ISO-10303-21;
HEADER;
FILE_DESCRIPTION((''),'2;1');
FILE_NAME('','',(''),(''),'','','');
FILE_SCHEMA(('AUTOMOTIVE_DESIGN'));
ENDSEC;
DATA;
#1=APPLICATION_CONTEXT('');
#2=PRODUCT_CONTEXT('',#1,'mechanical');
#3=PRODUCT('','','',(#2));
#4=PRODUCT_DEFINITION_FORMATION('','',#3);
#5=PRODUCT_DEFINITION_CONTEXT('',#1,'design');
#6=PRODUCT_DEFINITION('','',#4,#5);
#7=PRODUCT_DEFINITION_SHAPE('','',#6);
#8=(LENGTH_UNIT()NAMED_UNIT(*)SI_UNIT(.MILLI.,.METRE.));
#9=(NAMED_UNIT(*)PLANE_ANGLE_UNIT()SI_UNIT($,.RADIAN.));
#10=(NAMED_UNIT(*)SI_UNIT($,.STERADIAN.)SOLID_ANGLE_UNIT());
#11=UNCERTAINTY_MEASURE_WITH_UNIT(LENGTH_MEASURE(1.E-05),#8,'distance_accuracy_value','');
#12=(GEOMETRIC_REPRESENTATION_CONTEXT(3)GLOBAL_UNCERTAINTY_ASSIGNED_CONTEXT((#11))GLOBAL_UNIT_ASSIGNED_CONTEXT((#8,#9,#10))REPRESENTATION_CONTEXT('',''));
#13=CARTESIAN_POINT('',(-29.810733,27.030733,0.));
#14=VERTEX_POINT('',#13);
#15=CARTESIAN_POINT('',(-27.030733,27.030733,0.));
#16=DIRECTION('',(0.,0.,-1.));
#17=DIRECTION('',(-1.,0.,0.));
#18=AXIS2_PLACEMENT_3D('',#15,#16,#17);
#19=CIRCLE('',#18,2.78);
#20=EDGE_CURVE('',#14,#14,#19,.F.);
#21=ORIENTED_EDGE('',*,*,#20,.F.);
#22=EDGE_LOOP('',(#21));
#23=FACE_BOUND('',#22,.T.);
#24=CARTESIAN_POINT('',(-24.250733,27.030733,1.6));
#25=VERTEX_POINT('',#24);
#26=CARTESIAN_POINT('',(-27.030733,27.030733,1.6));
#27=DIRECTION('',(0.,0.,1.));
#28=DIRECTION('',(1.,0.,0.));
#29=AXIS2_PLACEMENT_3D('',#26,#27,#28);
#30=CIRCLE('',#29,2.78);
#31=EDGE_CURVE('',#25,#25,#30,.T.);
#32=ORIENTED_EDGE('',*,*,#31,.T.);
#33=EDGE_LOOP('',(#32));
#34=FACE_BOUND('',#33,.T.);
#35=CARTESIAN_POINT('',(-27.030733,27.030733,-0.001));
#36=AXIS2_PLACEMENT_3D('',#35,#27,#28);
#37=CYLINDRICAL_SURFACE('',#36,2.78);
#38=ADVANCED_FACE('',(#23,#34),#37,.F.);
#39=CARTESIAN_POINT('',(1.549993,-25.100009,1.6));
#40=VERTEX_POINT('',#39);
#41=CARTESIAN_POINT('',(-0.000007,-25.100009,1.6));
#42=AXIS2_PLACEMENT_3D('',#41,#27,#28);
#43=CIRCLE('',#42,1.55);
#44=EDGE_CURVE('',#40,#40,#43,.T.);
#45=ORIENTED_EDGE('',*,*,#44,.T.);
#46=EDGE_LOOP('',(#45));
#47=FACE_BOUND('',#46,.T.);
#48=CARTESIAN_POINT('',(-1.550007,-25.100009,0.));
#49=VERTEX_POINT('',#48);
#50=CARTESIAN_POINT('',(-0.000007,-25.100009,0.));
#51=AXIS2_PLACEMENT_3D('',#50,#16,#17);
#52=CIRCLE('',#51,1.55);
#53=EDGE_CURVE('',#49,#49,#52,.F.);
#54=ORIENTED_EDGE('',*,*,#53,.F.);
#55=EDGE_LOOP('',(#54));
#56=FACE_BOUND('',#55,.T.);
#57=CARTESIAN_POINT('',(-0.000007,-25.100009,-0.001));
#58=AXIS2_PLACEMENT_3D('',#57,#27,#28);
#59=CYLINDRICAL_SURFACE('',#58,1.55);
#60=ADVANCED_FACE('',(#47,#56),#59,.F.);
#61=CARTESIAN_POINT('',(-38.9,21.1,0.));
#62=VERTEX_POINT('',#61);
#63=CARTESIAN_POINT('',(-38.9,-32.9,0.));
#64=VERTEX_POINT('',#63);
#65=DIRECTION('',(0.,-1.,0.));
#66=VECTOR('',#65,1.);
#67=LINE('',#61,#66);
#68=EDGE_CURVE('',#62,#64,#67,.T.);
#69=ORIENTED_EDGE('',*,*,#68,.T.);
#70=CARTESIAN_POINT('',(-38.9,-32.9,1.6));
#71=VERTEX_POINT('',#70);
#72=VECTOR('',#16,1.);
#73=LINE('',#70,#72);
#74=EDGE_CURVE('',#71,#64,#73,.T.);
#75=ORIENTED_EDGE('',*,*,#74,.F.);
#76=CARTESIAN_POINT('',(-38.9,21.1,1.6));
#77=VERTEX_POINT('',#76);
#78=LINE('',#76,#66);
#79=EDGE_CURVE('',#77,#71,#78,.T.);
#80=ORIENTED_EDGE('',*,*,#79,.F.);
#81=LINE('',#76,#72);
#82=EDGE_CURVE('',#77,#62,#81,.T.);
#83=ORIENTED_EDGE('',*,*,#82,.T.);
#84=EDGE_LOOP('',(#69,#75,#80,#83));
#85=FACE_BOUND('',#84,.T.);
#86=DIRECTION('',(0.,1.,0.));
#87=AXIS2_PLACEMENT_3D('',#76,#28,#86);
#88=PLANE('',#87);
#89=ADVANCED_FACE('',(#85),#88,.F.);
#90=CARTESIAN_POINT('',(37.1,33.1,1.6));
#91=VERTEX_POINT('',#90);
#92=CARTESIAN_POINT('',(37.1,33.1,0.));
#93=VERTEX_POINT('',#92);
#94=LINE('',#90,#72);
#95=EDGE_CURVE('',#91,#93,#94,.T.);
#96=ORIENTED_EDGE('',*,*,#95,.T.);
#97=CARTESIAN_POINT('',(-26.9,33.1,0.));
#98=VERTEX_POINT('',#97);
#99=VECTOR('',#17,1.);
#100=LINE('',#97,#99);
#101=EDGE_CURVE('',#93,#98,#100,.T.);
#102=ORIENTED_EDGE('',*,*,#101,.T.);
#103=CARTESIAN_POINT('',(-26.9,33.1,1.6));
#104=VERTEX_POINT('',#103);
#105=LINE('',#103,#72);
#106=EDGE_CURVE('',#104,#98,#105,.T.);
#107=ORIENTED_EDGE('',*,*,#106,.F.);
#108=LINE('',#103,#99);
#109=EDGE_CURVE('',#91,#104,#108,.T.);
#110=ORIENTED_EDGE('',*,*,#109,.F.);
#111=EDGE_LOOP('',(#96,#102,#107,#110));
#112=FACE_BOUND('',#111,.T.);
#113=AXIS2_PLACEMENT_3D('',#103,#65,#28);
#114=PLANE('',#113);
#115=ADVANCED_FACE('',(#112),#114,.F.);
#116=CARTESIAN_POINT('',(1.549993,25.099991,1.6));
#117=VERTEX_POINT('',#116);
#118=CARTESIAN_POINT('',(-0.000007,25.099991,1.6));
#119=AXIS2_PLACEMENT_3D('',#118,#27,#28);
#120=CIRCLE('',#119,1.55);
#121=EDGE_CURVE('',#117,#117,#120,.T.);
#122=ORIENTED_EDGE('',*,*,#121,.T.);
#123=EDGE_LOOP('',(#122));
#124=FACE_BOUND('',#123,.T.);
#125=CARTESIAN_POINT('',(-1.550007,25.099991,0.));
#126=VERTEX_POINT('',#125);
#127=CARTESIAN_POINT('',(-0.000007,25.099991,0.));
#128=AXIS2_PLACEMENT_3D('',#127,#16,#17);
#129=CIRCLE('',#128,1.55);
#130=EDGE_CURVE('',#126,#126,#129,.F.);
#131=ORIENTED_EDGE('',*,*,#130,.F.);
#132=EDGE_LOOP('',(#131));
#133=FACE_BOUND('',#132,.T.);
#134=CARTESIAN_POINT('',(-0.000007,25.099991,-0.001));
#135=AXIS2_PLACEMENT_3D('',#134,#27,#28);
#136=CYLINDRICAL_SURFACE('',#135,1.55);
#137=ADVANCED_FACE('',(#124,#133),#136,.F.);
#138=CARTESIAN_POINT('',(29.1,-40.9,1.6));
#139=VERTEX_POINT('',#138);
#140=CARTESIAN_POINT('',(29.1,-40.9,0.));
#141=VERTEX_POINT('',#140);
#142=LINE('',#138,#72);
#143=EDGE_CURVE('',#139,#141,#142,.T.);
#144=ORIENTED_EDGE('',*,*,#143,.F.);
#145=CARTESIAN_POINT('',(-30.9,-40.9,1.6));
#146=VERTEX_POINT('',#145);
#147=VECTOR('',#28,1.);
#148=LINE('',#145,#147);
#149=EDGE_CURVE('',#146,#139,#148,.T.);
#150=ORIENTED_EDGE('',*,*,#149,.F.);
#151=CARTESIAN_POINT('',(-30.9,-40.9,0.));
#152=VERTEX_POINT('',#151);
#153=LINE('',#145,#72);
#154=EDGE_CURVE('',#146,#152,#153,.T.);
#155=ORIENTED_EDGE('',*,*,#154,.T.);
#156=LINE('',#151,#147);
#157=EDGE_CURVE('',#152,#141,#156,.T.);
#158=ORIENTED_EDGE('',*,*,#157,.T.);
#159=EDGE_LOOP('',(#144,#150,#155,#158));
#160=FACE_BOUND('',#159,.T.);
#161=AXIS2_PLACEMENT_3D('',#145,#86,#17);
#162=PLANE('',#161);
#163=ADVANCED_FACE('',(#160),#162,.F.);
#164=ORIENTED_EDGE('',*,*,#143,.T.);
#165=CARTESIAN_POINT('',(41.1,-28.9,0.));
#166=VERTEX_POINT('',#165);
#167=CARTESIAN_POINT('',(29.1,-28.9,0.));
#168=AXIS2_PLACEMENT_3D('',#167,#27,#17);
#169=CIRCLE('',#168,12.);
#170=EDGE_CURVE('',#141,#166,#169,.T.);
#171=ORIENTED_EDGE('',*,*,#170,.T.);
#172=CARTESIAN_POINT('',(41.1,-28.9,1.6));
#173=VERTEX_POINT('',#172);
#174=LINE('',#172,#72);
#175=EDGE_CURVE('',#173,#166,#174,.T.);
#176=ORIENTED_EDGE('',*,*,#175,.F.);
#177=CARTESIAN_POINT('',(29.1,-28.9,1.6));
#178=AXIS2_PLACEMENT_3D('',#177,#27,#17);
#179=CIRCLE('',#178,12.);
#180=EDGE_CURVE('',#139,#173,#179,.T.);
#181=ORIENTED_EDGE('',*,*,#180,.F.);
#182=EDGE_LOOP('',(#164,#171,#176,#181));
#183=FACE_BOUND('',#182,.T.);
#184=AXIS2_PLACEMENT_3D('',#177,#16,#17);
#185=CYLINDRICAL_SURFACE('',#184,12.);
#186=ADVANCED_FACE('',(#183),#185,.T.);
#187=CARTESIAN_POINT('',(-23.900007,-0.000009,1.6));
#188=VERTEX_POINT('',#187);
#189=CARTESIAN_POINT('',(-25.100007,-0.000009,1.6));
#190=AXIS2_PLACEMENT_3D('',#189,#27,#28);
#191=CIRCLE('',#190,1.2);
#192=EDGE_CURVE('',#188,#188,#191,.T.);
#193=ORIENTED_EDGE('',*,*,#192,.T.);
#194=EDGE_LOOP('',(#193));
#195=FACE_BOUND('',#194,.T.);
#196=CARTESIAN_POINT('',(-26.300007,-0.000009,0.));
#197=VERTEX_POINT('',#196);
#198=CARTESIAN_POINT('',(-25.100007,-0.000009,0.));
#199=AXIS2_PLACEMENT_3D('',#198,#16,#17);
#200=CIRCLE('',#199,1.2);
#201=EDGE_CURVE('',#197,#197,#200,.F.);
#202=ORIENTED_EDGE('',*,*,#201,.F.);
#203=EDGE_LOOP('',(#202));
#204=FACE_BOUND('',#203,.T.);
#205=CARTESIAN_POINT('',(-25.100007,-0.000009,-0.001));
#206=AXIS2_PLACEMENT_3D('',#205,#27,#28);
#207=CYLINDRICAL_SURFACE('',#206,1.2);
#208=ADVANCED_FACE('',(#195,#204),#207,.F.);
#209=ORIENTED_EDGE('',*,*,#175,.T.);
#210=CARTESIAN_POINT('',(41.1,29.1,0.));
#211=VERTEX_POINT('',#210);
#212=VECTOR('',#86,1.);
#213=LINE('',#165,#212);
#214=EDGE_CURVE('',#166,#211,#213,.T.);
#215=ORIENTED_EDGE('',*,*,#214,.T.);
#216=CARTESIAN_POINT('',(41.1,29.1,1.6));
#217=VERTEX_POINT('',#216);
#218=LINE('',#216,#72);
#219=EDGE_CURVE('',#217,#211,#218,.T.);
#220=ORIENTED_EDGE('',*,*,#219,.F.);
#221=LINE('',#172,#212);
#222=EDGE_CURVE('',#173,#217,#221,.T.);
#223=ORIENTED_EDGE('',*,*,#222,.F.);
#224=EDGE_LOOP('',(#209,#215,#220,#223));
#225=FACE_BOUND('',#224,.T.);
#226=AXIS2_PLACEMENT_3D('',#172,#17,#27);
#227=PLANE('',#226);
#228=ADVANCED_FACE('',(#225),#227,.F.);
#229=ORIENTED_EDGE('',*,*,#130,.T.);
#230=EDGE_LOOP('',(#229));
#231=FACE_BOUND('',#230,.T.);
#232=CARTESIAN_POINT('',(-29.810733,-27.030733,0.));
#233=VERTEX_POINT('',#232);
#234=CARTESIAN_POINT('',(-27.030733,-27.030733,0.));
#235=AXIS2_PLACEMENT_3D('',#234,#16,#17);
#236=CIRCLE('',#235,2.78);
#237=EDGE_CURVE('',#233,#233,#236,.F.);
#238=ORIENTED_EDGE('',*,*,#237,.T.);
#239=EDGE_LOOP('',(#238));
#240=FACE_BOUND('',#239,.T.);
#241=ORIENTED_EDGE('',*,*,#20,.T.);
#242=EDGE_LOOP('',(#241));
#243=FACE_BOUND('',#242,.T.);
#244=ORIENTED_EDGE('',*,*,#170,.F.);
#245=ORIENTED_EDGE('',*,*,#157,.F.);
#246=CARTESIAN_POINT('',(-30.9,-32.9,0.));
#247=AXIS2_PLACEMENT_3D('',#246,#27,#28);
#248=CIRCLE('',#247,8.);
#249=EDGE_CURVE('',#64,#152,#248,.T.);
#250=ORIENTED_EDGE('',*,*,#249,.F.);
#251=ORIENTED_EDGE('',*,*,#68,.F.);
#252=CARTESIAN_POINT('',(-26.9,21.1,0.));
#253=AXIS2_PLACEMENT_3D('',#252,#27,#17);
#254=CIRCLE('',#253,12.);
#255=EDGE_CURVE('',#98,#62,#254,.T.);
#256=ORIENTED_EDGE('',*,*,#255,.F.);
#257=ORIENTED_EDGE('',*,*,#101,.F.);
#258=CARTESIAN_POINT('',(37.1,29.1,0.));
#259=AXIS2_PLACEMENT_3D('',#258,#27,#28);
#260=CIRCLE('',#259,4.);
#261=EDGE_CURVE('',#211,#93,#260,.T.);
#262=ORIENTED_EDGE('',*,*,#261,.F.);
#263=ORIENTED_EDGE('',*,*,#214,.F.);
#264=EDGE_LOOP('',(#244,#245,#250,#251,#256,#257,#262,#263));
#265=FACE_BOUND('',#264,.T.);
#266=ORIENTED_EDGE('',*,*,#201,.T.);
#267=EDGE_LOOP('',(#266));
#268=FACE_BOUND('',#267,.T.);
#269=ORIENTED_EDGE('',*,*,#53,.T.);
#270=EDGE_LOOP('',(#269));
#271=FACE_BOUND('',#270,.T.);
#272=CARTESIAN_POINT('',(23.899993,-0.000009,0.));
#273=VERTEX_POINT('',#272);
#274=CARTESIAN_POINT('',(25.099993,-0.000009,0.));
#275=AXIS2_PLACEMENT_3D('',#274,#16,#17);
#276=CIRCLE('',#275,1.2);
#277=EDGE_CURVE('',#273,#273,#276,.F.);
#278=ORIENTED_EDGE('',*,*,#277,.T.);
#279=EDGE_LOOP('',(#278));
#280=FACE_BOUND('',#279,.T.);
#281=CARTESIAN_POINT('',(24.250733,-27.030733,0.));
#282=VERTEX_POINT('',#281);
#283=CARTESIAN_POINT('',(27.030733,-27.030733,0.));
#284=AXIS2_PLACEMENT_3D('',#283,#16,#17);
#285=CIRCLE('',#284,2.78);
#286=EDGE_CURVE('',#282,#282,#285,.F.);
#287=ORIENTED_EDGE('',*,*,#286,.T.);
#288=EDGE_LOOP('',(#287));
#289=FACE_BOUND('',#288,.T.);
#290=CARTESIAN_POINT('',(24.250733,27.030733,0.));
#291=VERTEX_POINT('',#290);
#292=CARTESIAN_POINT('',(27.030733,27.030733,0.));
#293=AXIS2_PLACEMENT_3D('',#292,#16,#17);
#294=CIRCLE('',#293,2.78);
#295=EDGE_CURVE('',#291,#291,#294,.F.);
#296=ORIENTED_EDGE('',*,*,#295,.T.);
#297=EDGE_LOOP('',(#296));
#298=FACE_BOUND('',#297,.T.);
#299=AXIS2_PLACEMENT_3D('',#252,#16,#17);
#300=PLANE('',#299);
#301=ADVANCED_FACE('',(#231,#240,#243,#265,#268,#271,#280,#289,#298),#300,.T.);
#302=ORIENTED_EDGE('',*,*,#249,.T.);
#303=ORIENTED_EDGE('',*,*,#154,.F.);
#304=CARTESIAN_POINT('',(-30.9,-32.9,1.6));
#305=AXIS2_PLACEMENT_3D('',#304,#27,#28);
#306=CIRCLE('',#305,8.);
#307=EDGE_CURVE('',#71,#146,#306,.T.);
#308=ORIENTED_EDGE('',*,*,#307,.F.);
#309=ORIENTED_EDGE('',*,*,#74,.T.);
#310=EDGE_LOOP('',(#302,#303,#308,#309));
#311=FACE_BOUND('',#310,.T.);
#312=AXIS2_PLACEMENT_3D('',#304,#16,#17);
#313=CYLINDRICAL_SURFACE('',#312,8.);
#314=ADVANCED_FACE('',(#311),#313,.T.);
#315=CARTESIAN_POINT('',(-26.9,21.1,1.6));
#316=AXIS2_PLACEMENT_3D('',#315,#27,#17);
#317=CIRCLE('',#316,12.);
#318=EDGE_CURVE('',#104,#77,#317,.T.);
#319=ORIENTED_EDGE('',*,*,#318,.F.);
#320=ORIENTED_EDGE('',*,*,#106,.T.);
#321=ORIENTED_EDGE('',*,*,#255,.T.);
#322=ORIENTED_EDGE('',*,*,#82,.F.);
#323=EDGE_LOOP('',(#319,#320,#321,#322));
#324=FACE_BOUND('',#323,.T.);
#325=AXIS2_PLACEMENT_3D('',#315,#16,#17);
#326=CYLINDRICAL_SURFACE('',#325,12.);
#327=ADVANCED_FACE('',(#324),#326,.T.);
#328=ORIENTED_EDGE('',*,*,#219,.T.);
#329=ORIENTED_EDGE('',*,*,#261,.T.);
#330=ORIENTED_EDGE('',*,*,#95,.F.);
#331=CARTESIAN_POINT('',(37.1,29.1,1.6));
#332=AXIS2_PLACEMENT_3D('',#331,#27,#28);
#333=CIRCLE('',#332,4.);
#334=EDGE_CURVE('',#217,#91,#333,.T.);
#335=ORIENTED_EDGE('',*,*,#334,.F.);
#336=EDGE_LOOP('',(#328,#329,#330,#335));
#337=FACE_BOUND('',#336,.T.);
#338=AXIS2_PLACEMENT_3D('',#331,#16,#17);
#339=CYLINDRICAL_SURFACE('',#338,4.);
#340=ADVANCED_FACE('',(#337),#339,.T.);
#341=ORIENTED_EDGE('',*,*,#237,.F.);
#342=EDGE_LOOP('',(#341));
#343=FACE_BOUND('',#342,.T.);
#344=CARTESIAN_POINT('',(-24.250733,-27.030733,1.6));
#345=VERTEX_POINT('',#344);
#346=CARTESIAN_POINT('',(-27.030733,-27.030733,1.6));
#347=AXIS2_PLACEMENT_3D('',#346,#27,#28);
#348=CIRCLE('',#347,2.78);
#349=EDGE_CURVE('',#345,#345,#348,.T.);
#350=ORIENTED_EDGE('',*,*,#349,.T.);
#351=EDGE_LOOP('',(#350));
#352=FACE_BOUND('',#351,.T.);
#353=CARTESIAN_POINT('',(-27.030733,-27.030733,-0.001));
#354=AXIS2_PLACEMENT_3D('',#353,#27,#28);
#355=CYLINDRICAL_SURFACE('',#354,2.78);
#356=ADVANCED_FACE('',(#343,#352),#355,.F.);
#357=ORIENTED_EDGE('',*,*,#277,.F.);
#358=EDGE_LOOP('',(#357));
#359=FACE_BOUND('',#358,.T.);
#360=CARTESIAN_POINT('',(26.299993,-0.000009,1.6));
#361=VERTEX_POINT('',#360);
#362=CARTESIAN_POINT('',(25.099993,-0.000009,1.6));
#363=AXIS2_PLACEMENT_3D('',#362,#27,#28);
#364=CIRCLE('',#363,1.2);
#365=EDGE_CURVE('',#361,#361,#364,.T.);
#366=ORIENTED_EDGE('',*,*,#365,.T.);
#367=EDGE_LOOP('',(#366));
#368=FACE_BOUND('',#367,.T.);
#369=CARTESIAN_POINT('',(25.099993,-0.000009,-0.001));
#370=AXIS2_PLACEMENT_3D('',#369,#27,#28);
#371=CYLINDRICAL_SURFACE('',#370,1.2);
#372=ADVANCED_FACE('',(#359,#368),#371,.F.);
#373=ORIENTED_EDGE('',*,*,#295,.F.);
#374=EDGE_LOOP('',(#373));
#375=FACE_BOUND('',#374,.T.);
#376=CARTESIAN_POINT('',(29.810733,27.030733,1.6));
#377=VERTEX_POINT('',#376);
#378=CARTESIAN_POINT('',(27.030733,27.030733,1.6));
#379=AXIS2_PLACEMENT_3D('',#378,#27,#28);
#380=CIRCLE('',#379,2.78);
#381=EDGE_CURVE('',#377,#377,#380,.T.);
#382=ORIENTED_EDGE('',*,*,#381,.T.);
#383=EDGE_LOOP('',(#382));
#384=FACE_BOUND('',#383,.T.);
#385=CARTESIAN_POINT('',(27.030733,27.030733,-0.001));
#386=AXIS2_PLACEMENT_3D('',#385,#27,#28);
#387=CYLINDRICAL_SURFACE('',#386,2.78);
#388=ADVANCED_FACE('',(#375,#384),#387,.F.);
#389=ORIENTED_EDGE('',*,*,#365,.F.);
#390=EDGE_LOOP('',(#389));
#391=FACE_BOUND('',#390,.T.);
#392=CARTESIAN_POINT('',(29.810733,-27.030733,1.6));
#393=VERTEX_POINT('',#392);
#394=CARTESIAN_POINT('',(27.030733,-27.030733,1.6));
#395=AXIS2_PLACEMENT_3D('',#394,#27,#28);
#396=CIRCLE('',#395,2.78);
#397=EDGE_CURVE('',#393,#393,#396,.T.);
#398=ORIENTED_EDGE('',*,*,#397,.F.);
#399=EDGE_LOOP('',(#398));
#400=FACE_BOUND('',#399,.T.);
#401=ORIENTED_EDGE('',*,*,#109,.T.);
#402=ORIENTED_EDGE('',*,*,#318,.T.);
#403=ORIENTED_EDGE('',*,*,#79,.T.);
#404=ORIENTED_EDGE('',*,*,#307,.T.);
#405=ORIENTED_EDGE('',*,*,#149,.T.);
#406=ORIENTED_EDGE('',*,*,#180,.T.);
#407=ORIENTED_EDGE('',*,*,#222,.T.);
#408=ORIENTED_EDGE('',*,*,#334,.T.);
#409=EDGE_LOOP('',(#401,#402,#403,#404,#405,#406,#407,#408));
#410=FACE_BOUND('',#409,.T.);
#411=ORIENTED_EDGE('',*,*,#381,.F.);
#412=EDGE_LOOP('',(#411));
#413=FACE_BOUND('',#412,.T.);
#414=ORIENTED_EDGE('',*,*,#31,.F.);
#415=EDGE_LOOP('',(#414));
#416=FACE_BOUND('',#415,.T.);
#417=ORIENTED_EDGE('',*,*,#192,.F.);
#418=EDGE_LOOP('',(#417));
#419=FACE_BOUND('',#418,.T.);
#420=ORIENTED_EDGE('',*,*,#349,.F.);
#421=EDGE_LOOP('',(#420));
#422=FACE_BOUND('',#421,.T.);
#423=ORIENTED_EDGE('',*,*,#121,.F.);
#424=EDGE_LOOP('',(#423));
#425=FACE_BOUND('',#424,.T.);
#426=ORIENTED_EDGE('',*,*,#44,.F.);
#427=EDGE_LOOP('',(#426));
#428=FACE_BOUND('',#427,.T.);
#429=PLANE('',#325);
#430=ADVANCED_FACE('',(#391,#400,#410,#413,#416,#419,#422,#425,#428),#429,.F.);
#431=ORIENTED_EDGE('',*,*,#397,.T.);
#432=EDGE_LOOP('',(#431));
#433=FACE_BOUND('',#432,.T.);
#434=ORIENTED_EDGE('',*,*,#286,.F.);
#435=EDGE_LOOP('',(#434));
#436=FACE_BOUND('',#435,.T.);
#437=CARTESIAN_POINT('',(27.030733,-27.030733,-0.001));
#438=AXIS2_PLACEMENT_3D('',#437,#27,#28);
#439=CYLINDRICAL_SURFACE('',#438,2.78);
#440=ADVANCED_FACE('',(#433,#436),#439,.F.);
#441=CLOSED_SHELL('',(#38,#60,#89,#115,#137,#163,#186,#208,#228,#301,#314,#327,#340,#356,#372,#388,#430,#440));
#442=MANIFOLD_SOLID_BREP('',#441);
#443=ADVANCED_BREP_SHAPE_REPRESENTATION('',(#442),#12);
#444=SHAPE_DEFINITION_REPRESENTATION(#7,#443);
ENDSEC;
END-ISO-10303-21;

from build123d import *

# Parameters (mm, degrees)
BOSS_EXTRUDE1_DEPTH       = 1.6
CUT_EXTRUDE3_REACH        = 3.6
SKETCH3_R                 = 1.55
SKETCH3_R_2               = 1.2
CUT_EXTRUDE4_REACH        = 3.6
PRESS_FIT_NUT_LOCATIONS_R = 2.78


with BuildPart() as part:
    # Outline → Boss-Extrude1 (new body)
    with BuildSketch(Plane.XY):
        with BuildLine():
            Line((-38.9, 21.1), (-38.9, -32.9))
            ThreePointArc((-38.9, -32.9), (-36.556854249, -38.556854249), (-30.9, -40.9))
            Line((-30.9, -40.9), (29.1, -40.9))
            ThreePointArc((29.1, -40.9), (37.585281374, -37.385281374), (41.1, -28.9))
            Line((41.1, -28.9), (41.1, 29.1))
            ThreePointArc((41.1, 29.1), (39.928427125, 31.928427125), (37.1, 33.1))
            Line((37.1, 33.1), (-26.9, 33.1))
            ThreePointArc((-26.9, 33.1), (-35.385281374, 29.585281374), (-38.9, 21.1))
        make_face()
    extrude(amount=BOSS_EXTRUDE1_DEPTH)

    # Sketch3 → Cut-Extrude3 (cut, up to next)
    with BuildSketch(Plane.XY.offset(1.6), mode=Mode.PRIVATE) as cut_extrude3_sk1:
        with Locations((-6.677e-06, 25.099991446)):
            Circle(SKETCH3_R)
    cut_extrude3_tool1 = extrude(cut_extrude3_sk1.sketch, amount=-CUT_EXTRUDE3_REACH, mode=Mode.PRIVATE) & part.part
    add(cut_extrude3_tool1.solids().sort_by_distance((-7e-06, 25.099991, 1.6))[0], mode=Mode.SUBTRACT)
    # Sketch3 → Cut-Extrude3 (cut, up to next)
    with BuildSketch(Plane.XY.offset(1.6), mode=Mode.PRIVATE) as cut_extrude3_sk2:
        with Locations((25.099993323, -8.554e-06)):
            Circle(SKETCH3_R_2)
    cut_extrude3_tool2 = extrude(cut_extrude3_sk2.sketch, amount=-CUT_EXTRUDE3_REACH, mode=Mode.PRIVATE) & part.part
    add(cut_extrude3_tool2.solids().sort_by_distance((25.099993, -9e-06, 1.6))[0], mode=Mode.SUBTRACT)
    # Sketch3 → Cut-Extrude3 (cut, up to next)
    with BuildSketch(Plane.XY.offset(1.6), mode=Mode.PRIVATE) as cut_extrude3_sk3:
        with Locations((-6.677e-06, -25.100008554)):
            Circle(SKETCH3_R)
    cut_extrude3_tool3 = extrude(cut_extrude3_sk3.sketch, amount=-CUT_EXTRUDE3_REACH, mode=Mode.PRIVATE) & part.part
    add(cut_extrude3_tool3.solids().sort_by_distance((-7e-06, -25.100009, 1.6))[0], mode=Mode.SUBTRACT)
    # Sketch3 → Cut-Extrude3 (cut, up to next)
    with BuildSketch(Plane.XY.offset(1.6), mode=Mode.PRIVATE) as cut_extrude3_sk4:
        with Locations((-25.100006677, -8.554e-06)):
            Circle(SKETCH3_R_2)
    cut_extrude3_tool4 = extrude(cut_extrude3_sk4.sketch, amount=-CUT_EXTRUDE3_REACH, mode=Mode.PRIVATE) & part.part
    add(cut_extrude3_tool4.solids().sort_by_distance((-25.100007, -9e-06, 1.6))[0], mode=Mode.SUBTRACT)

    # Press Fit Nut Locations → Cut-Extrude4 (cut, up to next)
    with BuildSketch(Plane.XY.offset(1.6), mode=Mode.PRIVATE) as cut_extrude4_sk1:
        with Locations((-27.030733336, 27.030733336)):
            Circle(PRESS_FIT_NUT_LOCATIONS_R)
    cut_extrude4_tool1 = extrude(cut_extrude4_sk1.sketch, amount=-CUT_EXTRUDE4_REACH, mode=Mode.PRIVATE) & part.part
    add(cut_extrude4_tool1.solids().sort_by_distance((-27.030733, 27.030733, 1.6))[0], mode=Mode.SUBTRACT)
    # Press Fit Nut Locations → Cut-Extrude4 (cut, up to next)
    with BuildSketch(Plane.XY.offset(1.6), mode=Mode.PRIVATE) as cut_extrude4_sk2:
        with Locations((27.030733336, 27.030733336)):
            Circle(PRESS_FIT_NUT_LOCATIONS_R)
    cut_extrude4_tool2 = extrude(cut_extrude4_sk2.sketch, amount=-CUT_EXTRUDE4_REACH, mode=Mode.PRIVATE) & part.part
    add(cut_extrude4_tool2.solids().sort_by_distance((27.030733, 27.030733, 1.6))[0], mode=Mode.SUBTRACT)
    # Press Fit Nut Locations → Cut-Extrude4 (cut, up to next)
    with BuildSketch(Plane.XY.offset(1.6), mode=Mode.PRIVATE) as cut_extrude4_sk3:
        with Locations((-27.030733336, -27.030733336)):
            Circle(PRESS_FIT_NUT_LOCATIONS_R)
    cut_extrude4_tool3 = extrude(cut_extrude4_sk3.sketch, amount=-CUT_EXTRUDE4_REACH, mode=Mode.PRIVATE) & part.part
    add(cut_extrude4_tool3.solids().sort_by_distance((-27.030733, -27.030733, 1.6))[0], mode=Mode.SUBTRACT)
    # Press Fit Nut Locations → Cut-Extrude4 (cut, up to next)
    with BuildSketch(Plane.XY.offset(1.6), mode=Mode.PRIVATE) as cut_extrude4_sk4:
        with Locations((27.030733336, -27.030733336)):
            Circle(PRESS_FIT_NUT_LOCATIONS_R)
    cut_extrude4_tool4 = extrude(cut_extrude4_sk4.sketch, amount=-CUT_EXTRUDE4_REACH, mode=Mode.PRIVATE) & part.part
    add(cut_extrude4_tool4.solids().sort_by_distance((27.030733, -27.030733, 1.6))[0], mode=Mode.SUBTRACT)


solid = part.part
